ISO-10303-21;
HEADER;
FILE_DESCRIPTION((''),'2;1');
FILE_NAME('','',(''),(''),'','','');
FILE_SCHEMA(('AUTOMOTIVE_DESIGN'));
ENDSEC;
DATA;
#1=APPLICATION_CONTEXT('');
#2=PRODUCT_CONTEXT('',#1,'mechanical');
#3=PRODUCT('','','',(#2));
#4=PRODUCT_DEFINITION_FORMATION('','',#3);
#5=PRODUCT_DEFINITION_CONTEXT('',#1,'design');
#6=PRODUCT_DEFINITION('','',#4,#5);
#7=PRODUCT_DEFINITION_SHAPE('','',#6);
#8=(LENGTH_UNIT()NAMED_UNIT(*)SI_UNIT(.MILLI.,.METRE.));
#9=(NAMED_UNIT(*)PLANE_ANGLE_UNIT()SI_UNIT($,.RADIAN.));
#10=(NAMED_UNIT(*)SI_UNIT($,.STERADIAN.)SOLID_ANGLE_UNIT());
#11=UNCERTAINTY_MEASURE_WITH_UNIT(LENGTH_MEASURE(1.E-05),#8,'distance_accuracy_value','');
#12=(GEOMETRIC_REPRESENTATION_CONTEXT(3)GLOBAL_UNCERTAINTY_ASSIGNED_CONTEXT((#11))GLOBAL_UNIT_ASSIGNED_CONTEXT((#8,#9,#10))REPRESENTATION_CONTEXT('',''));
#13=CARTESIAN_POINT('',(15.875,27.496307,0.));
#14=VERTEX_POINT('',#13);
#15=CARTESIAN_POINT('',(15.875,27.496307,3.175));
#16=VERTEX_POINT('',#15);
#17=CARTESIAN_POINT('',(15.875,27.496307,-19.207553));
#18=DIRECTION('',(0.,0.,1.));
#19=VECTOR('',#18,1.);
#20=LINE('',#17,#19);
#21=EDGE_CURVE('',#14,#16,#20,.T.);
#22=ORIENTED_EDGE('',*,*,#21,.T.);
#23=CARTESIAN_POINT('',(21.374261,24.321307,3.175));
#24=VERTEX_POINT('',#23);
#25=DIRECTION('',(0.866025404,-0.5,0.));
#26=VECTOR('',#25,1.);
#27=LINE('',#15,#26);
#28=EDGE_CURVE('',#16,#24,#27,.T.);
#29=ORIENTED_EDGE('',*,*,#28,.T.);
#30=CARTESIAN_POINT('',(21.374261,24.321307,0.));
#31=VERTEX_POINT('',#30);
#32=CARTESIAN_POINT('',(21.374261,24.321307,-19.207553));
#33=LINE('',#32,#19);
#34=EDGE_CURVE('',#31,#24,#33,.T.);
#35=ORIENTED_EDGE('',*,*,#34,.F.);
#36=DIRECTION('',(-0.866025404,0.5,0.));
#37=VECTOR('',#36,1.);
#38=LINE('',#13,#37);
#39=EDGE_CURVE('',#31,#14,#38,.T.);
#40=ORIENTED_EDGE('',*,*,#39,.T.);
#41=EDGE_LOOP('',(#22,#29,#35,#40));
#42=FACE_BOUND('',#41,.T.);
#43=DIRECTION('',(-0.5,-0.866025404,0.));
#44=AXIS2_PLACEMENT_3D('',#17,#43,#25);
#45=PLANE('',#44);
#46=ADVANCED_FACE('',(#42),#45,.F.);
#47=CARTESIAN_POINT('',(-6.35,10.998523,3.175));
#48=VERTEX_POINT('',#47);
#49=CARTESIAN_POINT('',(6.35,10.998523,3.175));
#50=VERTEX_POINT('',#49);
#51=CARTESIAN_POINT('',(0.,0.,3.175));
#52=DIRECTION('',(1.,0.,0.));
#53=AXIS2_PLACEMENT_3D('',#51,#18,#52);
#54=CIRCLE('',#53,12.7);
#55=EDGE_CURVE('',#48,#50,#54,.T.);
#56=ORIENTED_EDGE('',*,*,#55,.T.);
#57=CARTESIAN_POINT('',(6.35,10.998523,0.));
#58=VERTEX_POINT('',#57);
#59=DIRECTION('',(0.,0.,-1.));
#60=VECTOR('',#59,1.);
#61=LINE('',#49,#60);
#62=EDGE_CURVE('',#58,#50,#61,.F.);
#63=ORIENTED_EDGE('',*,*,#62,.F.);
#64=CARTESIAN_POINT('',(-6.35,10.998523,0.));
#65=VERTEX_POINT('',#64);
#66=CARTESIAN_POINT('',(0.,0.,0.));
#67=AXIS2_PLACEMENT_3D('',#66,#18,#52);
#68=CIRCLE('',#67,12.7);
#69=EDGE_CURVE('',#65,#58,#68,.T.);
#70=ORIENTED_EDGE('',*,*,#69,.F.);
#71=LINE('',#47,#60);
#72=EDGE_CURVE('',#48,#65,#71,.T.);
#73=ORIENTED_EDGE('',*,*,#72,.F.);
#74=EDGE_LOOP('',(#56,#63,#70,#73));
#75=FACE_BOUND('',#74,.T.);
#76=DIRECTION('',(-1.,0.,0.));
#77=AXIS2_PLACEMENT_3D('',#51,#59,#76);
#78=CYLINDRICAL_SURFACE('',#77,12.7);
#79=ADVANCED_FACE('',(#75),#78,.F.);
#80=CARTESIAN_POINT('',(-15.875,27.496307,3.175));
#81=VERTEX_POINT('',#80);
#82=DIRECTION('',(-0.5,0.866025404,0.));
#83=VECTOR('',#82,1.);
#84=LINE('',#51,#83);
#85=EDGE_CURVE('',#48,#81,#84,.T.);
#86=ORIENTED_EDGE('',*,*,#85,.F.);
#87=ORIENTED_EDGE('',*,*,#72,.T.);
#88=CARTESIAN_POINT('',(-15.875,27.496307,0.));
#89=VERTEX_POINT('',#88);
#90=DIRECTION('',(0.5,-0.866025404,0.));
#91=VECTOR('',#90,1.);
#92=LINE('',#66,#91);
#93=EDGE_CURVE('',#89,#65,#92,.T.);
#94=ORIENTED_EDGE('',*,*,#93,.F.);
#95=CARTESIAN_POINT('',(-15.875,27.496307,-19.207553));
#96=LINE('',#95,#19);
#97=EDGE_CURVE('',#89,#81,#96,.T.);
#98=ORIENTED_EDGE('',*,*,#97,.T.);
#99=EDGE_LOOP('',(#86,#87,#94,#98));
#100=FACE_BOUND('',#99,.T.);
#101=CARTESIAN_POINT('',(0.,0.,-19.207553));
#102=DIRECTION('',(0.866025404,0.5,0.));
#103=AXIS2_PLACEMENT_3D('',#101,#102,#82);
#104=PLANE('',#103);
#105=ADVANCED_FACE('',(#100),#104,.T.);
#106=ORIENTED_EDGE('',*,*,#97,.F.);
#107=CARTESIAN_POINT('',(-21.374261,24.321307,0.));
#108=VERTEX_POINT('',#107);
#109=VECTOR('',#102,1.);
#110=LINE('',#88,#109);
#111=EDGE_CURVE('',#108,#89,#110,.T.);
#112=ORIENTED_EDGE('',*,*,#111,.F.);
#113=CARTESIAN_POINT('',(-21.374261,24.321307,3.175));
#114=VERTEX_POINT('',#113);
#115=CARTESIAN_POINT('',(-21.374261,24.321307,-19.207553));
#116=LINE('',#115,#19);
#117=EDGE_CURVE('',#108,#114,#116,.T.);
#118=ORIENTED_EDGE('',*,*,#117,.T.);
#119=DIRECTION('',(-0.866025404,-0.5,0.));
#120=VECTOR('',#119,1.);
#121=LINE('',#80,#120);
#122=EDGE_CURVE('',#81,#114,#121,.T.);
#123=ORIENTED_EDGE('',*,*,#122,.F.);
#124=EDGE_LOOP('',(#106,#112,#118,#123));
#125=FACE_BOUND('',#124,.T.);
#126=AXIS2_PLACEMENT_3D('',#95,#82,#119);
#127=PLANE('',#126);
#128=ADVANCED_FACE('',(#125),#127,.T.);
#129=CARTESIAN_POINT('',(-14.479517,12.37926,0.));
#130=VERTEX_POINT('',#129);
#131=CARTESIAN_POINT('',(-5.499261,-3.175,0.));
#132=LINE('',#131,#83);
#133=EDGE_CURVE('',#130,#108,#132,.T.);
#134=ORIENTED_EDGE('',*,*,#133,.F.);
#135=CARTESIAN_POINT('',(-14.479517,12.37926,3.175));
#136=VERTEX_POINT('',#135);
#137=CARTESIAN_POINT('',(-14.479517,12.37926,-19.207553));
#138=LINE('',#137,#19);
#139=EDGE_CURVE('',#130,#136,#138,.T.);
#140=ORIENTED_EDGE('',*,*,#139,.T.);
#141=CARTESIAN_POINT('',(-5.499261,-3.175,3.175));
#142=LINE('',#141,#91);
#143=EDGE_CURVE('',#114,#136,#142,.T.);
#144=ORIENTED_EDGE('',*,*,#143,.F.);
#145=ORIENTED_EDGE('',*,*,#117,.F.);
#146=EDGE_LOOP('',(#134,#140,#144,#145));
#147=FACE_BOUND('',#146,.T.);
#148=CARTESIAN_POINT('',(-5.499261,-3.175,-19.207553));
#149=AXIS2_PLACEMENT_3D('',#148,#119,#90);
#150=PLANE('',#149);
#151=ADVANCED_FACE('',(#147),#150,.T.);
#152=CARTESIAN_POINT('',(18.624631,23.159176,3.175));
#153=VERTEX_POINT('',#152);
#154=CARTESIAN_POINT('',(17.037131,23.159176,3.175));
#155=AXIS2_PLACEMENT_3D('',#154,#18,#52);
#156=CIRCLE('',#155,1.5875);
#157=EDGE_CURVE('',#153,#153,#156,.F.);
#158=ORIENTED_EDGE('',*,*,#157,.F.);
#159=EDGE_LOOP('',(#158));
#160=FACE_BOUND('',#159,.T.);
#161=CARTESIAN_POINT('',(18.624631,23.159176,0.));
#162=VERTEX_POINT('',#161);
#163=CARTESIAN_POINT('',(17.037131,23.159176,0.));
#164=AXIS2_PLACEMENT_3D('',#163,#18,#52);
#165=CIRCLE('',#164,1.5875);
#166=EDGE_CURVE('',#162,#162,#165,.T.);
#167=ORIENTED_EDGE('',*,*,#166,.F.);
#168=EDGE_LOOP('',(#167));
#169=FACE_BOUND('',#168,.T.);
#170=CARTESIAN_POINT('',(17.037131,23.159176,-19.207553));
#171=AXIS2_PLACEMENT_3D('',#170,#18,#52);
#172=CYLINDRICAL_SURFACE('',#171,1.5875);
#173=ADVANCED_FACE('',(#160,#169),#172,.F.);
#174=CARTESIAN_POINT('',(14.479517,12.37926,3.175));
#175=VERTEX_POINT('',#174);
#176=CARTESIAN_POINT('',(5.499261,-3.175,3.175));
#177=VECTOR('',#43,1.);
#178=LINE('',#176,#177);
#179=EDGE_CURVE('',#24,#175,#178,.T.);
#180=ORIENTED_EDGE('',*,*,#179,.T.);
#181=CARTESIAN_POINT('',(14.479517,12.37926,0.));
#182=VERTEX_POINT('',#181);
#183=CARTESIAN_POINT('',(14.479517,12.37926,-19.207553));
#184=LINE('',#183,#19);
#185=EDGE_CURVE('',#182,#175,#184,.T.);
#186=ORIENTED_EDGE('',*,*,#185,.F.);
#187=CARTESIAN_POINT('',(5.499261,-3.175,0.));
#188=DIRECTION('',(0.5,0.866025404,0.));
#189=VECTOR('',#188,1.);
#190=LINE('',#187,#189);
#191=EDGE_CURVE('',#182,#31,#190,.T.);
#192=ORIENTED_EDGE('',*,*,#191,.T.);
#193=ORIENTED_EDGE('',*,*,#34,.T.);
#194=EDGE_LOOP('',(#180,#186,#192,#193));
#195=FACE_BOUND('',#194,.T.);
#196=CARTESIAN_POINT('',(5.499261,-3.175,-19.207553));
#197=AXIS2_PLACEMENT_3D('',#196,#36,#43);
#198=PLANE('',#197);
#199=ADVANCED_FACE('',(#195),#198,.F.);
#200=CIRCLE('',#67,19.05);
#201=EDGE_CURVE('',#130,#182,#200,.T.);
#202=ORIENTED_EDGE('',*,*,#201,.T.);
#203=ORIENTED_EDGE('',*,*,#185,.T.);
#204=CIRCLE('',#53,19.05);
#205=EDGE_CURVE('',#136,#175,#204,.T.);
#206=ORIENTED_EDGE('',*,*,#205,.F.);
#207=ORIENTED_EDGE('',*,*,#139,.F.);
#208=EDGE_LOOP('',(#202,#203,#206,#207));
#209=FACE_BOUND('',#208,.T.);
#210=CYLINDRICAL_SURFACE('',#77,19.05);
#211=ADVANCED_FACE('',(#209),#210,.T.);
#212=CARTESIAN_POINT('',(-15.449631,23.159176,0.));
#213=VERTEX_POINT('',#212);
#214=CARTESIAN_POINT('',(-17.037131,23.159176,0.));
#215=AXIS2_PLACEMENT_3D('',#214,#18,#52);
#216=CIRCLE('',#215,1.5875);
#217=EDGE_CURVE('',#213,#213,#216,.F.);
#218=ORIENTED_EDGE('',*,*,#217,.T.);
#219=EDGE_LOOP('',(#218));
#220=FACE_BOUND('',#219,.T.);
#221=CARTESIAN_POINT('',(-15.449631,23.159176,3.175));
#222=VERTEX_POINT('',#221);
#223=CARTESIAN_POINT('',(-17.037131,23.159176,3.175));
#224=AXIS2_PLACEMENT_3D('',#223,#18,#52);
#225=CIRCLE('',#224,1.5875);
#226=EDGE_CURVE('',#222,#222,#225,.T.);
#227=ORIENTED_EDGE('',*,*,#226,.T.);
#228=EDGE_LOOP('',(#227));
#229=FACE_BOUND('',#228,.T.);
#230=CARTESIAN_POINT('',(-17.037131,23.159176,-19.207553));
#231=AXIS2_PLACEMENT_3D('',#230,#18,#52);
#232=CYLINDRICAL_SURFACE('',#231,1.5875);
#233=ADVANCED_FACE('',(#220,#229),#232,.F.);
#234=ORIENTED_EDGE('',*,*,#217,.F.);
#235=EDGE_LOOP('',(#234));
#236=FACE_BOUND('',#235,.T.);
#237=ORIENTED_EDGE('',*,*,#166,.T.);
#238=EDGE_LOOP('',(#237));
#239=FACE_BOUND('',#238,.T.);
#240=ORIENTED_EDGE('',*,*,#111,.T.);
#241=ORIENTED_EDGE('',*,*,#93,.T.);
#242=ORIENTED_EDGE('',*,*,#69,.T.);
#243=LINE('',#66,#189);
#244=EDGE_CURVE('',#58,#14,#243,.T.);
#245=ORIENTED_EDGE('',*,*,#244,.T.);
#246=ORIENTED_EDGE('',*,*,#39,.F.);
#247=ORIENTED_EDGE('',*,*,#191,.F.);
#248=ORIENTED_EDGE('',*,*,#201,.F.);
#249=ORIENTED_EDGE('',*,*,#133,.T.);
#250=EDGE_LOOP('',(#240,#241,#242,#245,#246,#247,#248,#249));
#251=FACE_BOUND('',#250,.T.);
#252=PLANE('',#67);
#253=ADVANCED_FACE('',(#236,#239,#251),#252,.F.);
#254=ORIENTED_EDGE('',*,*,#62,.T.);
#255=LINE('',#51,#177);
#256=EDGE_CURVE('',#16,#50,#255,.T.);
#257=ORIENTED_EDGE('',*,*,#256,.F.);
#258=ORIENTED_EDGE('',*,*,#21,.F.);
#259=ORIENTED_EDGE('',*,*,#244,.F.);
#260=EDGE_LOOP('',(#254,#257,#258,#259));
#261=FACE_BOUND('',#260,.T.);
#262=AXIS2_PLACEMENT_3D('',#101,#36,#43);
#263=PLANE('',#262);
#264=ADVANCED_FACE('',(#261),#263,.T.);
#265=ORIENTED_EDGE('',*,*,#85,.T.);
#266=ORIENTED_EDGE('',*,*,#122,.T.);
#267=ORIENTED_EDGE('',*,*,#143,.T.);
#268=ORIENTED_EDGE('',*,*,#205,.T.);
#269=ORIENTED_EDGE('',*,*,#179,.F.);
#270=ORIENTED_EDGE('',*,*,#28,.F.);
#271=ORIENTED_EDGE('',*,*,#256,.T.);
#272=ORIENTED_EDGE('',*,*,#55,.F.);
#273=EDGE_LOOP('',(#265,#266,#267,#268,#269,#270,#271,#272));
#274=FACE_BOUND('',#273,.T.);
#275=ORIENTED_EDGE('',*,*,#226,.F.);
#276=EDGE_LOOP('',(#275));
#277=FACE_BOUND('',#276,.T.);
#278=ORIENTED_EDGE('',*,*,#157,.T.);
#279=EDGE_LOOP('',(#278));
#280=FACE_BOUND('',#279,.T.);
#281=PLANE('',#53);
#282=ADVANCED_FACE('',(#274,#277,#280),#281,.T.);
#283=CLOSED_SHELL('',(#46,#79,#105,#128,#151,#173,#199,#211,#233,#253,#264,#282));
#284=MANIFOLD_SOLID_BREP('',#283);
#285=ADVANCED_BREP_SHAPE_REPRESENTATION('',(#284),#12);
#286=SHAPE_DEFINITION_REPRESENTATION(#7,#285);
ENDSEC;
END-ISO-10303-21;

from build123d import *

# Parameters (mm, degrees)
SKETCH2_R           = 19.05
SKETCH2_R_2         = 15.875
SKETCH2_R_3         = 12.7
BOSS_EXTRUDE1_DEPTH = 3.175
SKETCH3_R           = 1.5875
BOSS_EXTRUDE2_DEPTH = 3.175
CUT_EXTRUDE1_DEPTH  = 3.175


with BuildPart() as part:
    # Sketch2 → Boss-Extrude1 (new body)
    with BuildSketch(Plane.XY):
        Circle(SKETCH2_R)
        Circle(SKETCH2_R_2, mode=Mode.SUBTRACT)
        Circle(SKETCH2_R_2)
        Circle(SKETCH2_R_3, mode=Mode.SUBTRACT)
    extrude(amount=BOSS_EXTRUDE1_DEPTH)

    # Sketch3 → Boss-Extrude2 (add)
    with BuildSketch(Plane.XY.offset(3.175)):
        with BuildLine():
            ThreePointArc((-14.479517435, 12.379259867), (-12.17763419, 14.649495743), (-9.525, 16.497783942))
            Line((-9.525, 16.497783942), (-15.875, 27.49630657))
            Line((-15.875, 27.49630657), (-21.374261314, 24.32130657))
            Line((-21.374261314, 24.32130657), (-15.024261314, 13.322783942))
            Line((-15.024261314, 13.322783942), (-14.479517435, 12.379259867))
        make_face()
        with Locations((-17.037130657, 23.159175913)):
            Circle(SKETCH3_R, mode=Mode.SUBTRACT)
        with BuildLine():
            Line((15.875, 27.49630657), (9.525, 16.497783942))
            ThreePointArc((9.525, 16.497783942), (12.17763419, 14.649495743), (14.479517435, 12.379259867))
            Line((14.479517435, 12.379259867), (15.024261314, 13.322783942))
            Line((15.024261314, 13.322783942), (21.374261314, 24.32130657))
            Line((21.374261314, 24.32130657), (15.875, 27.49630657))
        make_face()
        with Locations((17.037130657, 23.159175913)):
            Circle(SKETCH3_R, mode=Mode.SUBTRACT)
    extrude(amount=-BOSS_EXTRUDE2_DEPTH)

    # Sketch5 → Cut-Extrude1 (cut)
    with BuildSketch(Plane.XY.offset(3.175)):
        with BuildLine():
            Line((-9.525, 16.497783942), (0, 0))
            Line((0, 0), (9.525, 16.497783942))
            ThreePointArc((9.525, 16.497783942), (0, 19.05), (-9.525, 16.497783942))
        make_face()
    extrude(amount=-CUT_EXTRUDE1_DEPTH, mode=Mode.SUBTRACT)


solid = part.part
